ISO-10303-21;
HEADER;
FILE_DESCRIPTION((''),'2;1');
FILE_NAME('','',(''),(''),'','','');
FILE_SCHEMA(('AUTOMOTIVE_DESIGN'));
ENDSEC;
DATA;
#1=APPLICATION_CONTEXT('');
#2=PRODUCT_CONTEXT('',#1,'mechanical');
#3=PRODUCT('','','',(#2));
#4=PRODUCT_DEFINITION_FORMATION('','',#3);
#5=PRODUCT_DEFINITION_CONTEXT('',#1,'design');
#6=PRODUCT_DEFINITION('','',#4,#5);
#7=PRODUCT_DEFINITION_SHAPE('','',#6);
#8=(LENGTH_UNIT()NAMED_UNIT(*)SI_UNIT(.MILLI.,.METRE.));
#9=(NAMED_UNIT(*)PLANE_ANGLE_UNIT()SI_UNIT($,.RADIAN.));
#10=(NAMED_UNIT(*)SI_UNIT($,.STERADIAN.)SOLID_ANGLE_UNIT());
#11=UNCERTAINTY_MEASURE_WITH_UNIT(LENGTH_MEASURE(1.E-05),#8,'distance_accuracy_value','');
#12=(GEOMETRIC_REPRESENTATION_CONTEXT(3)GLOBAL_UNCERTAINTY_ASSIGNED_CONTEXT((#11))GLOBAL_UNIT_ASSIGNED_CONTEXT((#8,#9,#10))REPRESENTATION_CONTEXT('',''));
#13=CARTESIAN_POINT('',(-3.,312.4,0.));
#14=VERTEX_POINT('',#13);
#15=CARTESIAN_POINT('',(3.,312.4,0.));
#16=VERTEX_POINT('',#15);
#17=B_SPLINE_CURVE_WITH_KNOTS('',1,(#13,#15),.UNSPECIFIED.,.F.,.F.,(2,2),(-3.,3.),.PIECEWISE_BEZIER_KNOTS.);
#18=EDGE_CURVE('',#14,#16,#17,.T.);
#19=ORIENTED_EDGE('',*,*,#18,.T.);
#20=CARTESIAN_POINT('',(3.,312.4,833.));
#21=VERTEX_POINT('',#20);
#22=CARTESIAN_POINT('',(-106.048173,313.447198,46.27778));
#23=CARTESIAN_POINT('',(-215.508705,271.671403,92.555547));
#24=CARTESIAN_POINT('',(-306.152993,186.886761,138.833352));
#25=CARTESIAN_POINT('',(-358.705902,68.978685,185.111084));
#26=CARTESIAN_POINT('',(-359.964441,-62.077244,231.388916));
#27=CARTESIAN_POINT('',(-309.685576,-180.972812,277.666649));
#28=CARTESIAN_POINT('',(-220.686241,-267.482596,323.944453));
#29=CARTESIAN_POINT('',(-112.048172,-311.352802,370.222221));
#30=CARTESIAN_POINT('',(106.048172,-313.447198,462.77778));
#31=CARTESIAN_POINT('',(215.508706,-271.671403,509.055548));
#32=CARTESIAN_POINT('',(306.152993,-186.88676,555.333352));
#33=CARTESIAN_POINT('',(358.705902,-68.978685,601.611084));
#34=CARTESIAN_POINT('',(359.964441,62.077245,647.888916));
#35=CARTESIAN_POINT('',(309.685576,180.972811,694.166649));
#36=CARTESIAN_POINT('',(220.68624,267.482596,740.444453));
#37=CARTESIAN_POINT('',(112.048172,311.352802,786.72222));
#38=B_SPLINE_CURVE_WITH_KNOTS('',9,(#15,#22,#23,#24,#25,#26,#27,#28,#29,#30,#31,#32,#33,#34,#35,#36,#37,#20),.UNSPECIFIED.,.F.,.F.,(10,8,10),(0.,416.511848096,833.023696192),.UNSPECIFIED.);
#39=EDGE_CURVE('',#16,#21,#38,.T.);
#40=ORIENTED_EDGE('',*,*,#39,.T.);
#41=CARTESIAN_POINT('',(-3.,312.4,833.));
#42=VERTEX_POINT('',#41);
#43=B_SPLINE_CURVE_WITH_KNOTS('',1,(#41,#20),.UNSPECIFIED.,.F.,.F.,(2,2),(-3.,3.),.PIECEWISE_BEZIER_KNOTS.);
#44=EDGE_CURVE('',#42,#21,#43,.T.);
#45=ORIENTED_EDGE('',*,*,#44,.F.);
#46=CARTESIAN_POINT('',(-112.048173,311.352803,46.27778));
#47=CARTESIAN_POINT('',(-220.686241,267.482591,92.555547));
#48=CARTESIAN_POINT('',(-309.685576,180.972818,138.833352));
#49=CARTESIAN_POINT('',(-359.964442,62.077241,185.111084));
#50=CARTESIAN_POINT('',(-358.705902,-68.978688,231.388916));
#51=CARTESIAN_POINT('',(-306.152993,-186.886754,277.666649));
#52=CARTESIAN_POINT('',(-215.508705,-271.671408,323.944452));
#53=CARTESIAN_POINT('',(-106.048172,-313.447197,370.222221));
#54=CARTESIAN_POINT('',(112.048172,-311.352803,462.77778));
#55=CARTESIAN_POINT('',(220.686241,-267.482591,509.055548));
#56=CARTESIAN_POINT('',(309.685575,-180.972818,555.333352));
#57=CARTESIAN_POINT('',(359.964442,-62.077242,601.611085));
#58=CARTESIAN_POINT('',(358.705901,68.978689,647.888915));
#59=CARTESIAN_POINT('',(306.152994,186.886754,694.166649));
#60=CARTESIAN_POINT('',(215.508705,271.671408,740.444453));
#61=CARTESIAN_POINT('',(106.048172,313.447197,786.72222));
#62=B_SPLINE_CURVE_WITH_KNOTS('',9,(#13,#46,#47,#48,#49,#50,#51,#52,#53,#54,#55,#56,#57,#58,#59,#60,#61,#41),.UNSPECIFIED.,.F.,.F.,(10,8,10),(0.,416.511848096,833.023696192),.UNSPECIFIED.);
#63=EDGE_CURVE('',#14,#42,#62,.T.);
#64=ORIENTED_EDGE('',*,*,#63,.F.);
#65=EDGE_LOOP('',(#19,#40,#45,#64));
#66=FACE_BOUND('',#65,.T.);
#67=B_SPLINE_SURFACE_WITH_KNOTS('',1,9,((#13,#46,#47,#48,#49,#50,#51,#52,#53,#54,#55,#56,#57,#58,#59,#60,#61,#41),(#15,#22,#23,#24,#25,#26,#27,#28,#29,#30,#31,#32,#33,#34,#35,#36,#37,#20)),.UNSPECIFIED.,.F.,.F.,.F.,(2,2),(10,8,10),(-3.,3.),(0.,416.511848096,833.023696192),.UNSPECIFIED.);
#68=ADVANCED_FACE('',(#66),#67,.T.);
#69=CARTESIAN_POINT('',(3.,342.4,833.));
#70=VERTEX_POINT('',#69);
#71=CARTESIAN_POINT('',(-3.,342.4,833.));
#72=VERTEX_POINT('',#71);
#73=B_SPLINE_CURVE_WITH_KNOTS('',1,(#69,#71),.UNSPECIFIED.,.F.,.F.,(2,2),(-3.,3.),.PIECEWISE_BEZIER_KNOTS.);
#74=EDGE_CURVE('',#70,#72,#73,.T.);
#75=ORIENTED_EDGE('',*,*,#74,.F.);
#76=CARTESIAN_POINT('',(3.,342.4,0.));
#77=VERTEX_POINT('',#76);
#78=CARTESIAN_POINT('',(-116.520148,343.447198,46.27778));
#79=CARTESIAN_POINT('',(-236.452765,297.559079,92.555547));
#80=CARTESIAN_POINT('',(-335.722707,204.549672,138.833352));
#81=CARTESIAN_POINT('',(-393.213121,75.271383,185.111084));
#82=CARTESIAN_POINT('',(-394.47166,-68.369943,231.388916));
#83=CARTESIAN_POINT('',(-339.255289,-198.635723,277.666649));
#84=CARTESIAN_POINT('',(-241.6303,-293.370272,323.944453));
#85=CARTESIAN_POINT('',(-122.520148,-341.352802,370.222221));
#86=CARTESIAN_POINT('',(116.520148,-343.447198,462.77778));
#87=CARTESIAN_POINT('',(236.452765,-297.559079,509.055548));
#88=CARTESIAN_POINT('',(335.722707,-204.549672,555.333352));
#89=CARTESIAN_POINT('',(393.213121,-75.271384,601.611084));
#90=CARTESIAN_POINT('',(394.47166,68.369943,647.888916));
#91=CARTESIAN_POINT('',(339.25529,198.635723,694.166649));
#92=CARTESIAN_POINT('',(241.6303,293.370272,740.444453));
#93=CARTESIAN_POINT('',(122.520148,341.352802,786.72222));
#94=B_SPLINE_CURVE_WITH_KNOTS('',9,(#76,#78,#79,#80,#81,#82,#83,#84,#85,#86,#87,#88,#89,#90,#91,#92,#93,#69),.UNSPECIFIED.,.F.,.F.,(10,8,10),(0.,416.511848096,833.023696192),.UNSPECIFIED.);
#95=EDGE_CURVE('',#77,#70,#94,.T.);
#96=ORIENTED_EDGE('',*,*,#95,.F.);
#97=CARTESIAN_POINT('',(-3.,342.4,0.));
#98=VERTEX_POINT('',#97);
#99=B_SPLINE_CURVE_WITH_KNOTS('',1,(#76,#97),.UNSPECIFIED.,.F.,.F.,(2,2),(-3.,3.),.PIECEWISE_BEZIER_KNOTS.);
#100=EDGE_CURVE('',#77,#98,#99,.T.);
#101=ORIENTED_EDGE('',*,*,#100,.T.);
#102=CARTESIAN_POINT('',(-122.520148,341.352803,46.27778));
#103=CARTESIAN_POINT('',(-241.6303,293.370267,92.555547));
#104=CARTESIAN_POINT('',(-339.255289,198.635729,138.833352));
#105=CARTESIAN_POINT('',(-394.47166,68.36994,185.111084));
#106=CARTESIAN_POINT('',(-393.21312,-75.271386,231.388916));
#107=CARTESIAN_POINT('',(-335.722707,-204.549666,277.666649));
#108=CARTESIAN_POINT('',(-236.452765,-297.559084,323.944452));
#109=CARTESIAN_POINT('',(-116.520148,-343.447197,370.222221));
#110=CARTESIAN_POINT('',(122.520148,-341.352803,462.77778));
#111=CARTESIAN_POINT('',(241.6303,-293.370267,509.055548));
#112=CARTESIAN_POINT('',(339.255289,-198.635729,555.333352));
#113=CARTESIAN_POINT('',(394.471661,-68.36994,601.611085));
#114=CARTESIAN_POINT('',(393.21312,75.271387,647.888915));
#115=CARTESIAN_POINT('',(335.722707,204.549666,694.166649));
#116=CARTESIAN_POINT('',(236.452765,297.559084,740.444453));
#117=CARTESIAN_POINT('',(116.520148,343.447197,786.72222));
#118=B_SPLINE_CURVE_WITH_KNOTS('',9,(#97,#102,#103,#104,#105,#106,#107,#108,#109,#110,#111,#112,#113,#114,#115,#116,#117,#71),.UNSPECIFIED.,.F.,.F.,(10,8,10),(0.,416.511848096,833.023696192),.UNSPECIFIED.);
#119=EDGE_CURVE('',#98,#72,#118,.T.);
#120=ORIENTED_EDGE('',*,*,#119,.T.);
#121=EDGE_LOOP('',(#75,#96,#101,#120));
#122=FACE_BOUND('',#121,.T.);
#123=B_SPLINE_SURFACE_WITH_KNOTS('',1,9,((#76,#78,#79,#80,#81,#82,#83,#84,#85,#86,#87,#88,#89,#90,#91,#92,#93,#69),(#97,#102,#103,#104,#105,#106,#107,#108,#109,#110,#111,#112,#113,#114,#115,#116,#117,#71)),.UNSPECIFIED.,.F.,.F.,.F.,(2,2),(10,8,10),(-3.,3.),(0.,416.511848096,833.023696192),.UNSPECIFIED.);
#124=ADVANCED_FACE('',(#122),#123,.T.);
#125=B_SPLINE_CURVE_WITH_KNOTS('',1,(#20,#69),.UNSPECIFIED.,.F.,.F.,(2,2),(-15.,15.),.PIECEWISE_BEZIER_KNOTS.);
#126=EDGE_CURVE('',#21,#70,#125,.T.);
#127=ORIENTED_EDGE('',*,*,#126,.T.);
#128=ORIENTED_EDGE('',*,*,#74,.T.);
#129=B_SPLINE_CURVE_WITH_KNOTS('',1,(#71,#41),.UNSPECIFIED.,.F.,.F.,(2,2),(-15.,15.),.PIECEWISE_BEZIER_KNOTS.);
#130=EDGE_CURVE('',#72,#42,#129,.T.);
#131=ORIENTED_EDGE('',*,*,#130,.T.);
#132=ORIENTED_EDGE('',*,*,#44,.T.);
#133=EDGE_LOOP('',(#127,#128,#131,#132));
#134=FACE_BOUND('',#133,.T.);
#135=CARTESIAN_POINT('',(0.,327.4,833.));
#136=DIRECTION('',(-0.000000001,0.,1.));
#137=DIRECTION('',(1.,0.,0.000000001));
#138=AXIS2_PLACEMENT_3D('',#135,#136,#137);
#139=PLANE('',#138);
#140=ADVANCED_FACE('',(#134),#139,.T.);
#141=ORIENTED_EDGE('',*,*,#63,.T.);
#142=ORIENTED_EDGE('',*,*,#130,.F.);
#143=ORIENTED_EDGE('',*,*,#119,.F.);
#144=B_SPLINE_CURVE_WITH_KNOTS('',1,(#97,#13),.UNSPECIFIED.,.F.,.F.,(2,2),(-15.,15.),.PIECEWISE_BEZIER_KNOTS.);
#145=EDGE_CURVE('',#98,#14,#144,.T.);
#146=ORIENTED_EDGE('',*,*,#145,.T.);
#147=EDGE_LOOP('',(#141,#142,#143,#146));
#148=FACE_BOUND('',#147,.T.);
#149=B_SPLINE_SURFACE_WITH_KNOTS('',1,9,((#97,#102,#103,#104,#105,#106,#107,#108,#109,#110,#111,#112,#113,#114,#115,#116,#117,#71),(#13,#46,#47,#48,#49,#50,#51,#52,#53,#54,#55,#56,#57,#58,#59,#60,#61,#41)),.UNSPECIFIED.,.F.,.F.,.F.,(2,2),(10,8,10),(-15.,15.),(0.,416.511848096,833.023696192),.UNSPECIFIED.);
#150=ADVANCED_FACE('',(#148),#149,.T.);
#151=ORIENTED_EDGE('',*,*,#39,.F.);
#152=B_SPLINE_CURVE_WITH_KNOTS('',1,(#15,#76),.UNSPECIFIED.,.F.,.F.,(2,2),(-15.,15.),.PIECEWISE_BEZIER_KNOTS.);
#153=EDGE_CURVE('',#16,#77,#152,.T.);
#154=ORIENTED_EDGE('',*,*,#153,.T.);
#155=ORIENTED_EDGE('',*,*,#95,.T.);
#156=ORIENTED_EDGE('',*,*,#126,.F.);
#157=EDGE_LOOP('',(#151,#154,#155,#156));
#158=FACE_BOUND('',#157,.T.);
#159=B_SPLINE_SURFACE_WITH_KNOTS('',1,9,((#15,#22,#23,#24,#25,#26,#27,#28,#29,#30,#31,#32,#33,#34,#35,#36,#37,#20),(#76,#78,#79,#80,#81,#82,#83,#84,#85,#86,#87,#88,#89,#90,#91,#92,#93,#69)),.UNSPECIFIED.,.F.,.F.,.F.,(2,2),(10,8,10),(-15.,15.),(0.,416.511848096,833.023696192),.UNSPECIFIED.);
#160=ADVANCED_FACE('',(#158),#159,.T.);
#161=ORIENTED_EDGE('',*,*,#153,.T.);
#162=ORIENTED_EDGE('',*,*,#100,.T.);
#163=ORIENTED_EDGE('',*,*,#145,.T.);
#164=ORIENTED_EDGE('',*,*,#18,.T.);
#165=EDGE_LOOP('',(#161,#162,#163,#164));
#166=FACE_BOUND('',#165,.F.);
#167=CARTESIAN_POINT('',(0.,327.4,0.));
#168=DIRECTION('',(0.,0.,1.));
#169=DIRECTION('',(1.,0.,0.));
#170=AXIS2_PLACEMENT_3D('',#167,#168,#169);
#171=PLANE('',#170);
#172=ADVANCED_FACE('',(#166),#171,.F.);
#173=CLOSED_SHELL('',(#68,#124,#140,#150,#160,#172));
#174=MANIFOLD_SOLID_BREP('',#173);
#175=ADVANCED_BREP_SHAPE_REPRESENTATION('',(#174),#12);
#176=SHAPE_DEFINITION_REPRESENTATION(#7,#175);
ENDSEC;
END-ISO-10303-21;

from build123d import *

# Parameters (mm, degrees)
SWEEP1_PITCH       = 833
SWEEP1_HEIGHT      = 833
SWEEP1_RADIUS      = 342.4
SWEEP1_START_ANGLE = -180
SKETCH2_W          = 6
SKETCH2_H          = 30


with BuildPart() as part:
    # Sweep1: sweep along a helix
    with BuildLine() as sweep1_path:
        add(Helix(SWEEP1_PITCH, SWEEP1_HEIGHT, SWEEP1_RADIUS, center=(0, 0, 0), direction=(0, 0, 1), mode=Mode.PRIVATE).rotate(Axis((0, 0, 0), (0, 0, 1)), SWEEP1_START_ANGLE))
    # Sketch2 → Sweep1 (sweep)
    with BuildSketch(Plane.XY):
        with Locations((0, 327.4)):
            Rectangle(SKETCH2_W, SKETCH2_H)
    sweep(path=sweep1_path.line, is_frenet=True)


solid = part.part
